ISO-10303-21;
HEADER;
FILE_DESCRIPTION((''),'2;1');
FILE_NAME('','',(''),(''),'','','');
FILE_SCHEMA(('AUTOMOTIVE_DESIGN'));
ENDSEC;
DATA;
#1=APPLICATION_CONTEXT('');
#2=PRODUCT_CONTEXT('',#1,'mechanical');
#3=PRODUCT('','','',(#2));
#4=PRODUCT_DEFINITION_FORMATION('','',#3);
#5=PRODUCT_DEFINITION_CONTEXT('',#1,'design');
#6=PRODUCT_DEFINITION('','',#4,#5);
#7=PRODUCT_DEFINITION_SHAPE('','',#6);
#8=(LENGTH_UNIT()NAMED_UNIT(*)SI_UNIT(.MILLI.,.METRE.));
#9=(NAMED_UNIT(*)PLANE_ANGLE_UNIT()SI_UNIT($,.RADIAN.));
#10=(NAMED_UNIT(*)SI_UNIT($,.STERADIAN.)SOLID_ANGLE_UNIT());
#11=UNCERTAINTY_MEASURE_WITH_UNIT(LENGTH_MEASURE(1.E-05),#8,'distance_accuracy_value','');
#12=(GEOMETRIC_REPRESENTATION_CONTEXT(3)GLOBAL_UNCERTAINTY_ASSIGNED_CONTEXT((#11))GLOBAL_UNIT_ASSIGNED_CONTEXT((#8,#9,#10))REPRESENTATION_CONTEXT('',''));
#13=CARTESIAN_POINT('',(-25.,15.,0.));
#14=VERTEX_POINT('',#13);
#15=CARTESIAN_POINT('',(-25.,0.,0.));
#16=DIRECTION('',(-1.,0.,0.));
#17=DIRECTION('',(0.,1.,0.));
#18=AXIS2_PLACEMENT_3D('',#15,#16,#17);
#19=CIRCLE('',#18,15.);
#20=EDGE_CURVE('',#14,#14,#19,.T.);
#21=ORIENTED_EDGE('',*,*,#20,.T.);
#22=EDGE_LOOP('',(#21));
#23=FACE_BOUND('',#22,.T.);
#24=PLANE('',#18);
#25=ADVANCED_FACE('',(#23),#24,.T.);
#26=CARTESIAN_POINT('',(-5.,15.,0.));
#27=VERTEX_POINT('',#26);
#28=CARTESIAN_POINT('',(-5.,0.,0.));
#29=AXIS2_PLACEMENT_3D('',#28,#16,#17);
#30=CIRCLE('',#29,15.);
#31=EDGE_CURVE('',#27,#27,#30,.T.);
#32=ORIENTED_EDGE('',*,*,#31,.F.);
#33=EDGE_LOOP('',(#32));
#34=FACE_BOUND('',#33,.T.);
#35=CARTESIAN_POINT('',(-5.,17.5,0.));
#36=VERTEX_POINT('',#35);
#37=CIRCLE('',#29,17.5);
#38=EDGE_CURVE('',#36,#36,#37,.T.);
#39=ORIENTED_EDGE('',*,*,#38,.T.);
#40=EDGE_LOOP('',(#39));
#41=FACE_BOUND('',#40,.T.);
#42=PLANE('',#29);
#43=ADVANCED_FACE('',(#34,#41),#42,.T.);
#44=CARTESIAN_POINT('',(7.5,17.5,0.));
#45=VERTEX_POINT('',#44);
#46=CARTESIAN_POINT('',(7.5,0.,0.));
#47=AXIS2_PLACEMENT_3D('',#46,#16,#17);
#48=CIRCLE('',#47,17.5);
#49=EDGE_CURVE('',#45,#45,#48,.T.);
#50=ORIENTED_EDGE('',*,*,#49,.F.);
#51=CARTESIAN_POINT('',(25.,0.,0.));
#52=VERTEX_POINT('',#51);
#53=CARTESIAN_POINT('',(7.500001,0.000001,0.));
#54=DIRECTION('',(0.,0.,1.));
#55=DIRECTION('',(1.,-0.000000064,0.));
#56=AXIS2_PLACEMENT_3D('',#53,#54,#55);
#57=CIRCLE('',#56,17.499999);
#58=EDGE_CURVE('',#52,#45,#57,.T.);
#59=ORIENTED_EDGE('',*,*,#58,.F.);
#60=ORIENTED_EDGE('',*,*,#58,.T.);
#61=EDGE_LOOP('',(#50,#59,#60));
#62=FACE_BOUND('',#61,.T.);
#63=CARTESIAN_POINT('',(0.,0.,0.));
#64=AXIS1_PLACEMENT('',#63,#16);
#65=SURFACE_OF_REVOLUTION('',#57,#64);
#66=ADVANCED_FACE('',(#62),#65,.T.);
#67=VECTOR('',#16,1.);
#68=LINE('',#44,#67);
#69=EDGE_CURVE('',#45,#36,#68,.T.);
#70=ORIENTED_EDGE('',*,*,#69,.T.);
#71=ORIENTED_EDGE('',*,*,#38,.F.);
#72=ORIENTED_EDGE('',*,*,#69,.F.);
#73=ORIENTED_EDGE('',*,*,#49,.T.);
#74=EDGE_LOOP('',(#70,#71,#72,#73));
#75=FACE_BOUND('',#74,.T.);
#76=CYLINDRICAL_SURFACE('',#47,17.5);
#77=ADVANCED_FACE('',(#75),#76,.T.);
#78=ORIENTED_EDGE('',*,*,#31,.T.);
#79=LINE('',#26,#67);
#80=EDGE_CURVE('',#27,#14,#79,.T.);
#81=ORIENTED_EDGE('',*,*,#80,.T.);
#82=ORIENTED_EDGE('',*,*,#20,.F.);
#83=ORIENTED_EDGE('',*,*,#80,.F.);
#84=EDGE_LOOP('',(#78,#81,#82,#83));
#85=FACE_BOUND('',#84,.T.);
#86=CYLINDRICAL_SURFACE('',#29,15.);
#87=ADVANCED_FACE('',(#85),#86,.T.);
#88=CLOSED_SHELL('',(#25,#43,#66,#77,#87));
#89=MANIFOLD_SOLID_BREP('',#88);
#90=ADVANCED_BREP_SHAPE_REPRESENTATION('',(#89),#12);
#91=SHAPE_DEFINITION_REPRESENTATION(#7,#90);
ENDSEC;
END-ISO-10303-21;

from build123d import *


with BuildPart() as f1:
    # F0 (on Top) → F1 (revolve)
    with BuildSketch(Plane.XY):
        with BuildLine():
            Line((-25, 0), (25, 0))
            ThreePointArc((25, 0), (19.874369, 12.374369), (7.5, 17.5))
            Line((7.5, 17.5), (-5, 17.5))
            Line((-5, 17.5), (-5, 15))
            Line((-5, 15), (-25, 15))
            Line((-25, 15), (-25, 0))
        make_face()
    revolve(axis=Axis((0, 0, 0), (-1, 0, 0)))


solid = f1.part
